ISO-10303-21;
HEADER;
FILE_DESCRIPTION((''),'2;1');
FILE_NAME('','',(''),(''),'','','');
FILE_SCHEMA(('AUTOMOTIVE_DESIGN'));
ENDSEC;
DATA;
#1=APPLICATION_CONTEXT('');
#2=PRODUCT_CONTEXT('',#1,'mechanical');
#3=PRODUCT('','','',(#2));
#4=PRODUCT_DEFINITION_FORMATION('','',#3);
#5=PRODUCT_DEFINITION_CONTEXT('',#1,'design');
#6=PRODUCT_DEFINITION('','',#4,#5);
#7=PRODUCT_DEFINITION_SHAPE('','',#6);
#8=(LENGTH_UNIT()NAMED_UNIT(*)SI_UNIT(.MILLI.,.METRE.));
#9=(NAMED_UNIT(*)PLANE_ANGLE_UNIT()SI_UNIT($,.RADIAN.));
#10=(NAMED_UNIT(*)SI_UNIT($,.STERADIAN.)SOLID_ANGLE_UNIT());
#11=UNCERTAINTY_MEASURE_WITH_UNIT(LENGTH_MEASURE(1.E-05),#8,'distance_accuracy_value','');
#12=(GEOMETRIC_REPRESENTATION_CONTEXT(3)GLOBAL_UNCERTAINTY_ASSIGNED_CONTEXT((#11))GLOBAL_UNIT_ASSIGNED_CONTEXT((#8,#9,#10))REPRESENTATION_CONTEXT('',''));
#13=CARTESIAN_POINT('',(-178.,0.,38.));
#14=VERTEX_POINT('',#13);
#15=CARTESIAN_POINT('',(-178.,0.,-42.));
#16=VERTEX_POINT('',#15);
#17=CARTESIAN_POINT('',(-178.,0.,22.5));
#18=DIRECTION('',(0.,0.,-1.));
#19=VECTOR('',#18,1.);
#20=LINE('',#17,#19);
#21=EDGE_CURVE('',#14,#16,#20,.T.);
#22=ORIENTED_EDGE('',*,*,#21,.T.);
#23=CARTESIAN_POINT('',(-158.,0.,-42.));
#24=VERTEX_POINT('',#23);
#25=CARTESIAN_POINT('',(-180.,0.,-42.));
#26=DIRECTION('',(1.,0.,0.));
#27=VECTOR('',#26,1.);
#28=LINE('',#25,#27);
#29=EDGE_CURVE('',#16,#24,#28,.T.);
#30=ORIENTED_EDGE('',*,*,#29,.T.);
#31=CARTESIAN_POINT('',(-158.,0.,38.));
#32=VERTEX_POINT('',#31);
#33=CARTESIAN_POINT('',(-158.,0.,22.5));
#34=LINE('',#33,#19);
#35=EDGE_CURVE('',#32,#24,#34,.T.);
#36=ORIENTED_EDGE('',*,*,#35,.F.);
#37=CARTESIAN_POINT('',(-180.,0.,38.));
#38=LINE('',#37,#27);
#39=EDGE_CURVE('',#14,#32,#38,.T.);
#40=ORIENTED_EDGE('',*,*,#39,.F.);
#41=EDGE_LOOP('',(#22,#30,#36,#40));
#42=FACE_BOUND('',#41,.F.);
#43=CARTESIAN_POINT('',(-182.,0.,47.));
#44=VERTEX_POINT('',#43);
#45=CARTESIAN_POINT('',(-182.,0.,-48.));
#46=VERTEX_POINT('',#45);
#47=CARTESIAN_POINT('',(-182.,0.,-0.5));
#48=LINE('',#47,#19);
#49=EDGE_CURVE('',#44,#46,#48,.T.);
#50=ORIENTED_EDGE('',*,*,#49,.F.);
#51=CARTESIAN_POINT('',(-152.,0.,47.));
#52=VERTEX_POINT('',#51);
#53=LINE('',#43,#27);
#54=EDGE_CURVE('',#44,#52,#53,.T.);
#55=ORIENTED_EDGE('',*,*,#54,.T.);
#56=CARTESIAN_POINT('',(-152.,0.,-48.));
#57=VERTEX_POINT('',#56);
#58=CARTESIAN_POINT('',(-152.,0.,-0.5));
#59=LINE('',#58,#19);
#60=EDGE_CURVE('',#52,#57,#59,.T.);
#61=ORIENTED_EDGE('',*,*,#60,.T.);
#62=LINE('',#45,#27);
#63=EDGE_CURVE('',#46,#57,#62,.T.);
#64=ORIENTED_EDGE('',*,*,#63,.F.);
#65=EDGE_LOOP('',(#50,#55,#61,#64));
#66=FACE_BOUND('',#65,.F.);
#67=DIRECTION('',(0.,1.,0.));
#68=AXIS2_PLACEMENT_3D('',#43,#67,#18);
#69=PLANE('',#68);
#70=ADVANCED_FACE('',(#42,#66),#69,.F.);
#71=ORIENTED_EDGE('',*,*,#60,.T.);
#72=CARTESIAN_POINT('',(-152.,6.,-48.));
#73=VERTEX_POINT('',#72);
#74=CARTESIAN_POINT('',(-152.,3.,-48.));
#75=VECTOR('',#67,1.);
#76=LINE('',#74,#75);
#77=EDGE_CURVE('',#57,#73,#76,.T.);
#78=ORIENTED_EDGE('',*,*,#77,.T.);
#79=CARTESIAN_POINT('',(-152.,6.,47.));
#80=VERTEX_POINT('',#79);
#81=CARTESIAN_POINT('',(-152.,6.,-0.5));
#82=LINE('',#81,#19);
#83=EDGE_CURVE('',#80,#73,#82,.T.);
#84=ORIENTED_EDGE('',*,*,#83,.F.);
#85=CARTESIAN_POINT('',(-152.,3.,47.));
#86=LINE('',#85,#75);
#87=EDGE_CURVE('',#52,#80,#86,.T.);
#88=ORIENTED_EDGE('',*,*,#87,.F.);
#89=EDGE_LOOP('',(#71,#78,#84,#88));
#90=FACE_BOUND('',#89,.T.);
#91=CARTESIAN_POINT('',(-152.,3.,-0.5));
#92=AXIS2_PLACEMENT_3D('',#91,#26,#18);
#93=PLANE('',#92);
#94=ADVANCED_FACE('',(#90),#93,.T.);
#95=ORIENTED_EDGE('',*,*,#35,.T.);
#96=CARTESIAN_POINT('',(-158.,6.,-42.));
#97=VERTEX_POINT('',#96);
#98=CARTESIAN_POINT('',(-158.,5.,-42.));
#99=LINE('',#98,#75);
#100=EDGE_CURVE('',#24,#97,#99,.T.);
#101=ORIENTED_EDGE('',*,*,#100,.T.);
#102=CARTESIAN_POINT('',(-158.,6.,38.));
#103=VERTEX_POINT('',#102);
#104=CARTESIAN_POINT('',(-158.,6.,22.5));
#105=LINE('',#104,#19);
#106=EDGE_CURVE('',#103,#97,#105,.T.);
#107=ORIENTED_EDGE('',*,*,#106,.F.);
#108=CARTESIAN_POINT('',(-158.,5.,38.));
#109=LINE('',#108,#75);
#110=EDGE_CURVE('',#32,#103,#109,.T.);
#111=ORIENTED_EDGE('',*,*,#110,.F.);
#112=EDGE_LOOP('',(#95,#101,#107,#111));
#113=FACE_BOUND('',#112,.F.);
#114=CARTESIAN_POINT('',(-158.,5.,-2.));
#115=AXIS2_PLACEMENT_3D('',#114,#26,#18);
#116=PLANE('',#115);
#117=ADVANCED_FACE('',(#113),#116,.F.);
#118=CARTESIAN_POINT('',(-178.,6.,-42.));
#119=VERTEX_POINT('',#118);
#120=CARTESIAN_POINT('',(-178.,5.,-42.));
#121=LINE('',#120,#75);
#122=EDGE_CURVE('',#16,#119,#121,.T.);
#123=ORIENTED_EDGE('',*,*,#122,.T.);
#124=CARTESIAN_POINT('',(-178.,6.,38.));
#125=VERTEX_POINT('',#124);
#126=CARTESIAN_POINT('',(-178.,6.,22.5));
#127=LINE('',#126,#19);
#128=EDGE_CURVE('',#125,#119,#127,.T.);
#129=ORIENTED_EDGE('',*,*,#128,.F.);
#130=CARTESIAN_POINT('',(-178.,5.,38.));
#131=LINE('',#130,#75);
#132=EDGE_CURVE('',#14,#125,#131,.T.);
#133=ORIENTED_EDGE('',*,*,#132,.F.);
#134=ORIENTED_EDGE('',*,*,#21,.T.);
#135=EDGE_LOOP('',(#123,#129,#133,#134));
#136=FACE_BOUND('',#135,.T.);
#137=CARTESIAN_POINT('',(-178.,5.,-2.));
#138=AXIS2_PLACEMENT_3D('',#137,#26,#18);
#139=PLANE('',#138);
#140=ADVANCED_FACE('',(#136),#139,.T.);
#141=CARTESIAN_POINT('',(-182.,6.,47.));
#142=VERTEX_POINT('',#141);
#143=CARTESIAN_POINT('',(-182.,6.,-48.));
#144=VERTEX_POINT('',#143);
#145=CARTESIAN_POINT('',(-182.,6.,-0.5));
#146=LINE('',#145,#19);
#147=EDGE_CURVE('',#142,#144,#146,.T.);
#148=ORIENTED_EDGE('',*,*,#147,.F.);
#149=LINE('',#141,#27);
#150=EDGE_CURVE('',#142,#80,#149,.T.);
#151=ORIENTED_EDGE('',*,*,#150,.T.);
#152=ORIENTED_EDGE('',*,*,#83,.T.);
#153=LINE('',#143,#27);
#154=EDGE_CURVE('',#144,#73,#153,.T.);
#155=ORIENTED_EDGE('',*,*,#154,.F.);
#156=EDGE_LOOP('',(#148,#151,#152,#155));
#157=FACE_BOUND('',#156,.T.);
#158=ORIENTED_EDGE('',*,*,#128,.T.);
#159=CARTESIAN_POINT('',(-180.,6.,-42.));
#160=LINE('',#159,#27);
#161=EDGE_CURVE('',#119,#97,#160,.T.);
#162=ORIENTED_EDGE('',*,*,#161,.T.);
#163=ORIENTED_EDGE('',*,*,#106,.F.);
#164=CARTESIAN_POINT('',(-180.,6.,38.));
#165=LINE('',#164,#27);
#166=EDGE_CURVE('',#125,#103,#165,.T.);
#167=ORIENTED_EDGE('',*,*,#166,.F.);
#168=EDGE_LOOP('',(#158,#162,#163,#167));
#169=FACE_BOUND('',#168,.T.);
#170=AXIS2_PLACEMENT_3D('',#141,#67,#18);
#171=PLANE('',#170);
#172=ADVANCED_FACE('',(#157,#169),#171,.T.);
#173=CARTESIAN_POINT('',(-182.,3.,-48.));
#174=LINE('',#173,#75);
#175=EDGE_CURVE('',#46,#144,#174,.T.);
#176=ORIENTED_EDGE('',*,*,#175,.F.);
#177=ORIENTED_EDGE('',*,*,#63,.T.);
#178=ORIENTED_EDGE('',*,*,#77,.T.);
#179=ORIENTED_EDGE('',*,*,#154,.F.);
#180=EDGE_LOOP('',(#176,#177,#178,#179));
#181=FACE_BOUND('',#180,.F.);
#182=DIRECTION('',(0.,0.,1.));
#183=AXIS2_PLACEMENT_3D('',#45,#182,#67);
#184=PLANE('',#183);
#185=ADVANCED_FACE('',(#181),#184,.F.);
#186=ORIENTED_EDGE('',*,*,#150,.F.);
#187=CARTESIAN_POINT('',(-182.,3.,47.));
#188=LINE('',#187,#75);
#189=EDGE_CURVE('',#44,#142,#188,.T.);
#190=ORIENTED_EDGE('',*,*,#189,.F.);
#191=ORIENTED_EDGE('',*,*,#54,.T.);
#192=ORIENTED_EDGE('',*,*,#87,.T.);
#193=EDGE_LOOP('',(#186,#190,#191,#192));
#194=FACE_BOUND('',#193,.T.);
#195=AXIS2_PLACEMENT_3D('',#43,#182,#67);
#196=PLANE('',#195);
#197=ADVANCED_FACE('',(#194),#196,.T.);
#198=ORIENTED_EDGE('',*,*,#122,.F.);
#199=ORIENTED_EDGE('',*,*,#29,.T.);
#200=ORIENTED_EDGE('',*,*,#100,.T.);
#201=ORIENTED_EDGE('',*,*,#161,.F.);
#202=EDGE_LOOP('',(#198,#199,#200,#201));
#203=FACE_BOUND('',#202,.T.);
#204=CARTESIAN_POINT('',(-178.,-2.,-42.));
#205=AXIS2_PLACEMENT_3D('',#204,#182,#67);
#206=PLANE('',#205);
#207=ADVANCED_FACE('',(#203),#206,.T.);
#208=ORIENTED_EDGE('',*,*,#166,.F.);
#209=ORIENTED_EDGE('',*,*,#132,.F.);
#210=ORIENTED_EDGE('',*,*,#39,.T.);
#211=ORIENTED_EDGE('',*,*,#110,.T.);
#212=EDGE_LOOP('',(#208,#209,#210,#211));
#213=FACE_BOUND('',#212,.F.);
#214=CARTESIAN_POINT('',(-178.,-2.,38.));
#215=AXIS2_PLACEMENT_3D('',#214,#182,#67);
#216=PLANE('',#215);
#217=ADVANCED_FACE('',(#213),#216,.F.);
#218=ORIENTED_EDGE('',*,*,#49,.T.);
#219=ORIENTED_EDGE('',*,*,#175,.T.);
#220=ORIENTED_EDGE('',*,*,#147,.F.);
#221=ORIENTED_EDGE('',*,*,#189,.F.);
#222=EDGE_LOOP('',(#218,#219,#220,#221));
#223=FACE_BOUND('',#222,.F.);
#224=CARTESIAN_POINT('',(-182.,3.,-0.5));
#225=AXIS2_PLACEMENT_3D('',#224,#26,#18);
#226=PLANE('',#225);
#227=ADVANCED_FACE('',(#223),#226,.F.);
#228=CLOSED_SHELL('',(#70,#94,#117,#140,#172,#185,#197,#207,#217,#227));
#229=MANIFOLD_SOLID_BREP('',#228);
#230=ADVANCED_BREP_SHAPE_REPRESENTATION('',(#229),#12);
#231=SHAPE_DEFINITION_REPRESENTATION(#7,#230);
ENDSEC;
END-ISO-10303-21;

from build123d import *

# Parameters (mm, degrees)
BOX023_W     = 80
BOX023_H     = 14
BOX023_DEPTH = 20
BOX022_W     = 95
BOX022_H     = 6
BOX022_DEPTH = 30


with BuildPart() as cubo023:
    # Box023 → Box023 (new body)
    with BuildSketch(Plane(origin=(-139, -1, 26), x_dir=(0, 0, -1), z_dir=(1, 0, 0))):
        with Locations((40, 7)):
            Rectangle(BOX023_W, BOX023_H)
    extrude(amount=BOX023_DEPTH)


with BuildPart() as cut016:
    # Box022 → Box022 (new body)
    with BuildSketch(Plane(origin=(-143, 1, 35), x_dir=(0, 0, -1), z_dir=(1, 0, 0))):
        with Locations((47.5, 3)):
            Rectangle(BOX022_W, BOX022_H)
    extrude(amount=BOX022_DEPTH)

    # Cut016: cut Cubo023
    add(cubo023.part, mode=Mode.SUBTRACT)


with BuildPart() as cut016_1:
    # Cut016 placement: moved
    add(cut016.part.moved(Location((-39, -1, 12))))


solid = cut016_1.part
